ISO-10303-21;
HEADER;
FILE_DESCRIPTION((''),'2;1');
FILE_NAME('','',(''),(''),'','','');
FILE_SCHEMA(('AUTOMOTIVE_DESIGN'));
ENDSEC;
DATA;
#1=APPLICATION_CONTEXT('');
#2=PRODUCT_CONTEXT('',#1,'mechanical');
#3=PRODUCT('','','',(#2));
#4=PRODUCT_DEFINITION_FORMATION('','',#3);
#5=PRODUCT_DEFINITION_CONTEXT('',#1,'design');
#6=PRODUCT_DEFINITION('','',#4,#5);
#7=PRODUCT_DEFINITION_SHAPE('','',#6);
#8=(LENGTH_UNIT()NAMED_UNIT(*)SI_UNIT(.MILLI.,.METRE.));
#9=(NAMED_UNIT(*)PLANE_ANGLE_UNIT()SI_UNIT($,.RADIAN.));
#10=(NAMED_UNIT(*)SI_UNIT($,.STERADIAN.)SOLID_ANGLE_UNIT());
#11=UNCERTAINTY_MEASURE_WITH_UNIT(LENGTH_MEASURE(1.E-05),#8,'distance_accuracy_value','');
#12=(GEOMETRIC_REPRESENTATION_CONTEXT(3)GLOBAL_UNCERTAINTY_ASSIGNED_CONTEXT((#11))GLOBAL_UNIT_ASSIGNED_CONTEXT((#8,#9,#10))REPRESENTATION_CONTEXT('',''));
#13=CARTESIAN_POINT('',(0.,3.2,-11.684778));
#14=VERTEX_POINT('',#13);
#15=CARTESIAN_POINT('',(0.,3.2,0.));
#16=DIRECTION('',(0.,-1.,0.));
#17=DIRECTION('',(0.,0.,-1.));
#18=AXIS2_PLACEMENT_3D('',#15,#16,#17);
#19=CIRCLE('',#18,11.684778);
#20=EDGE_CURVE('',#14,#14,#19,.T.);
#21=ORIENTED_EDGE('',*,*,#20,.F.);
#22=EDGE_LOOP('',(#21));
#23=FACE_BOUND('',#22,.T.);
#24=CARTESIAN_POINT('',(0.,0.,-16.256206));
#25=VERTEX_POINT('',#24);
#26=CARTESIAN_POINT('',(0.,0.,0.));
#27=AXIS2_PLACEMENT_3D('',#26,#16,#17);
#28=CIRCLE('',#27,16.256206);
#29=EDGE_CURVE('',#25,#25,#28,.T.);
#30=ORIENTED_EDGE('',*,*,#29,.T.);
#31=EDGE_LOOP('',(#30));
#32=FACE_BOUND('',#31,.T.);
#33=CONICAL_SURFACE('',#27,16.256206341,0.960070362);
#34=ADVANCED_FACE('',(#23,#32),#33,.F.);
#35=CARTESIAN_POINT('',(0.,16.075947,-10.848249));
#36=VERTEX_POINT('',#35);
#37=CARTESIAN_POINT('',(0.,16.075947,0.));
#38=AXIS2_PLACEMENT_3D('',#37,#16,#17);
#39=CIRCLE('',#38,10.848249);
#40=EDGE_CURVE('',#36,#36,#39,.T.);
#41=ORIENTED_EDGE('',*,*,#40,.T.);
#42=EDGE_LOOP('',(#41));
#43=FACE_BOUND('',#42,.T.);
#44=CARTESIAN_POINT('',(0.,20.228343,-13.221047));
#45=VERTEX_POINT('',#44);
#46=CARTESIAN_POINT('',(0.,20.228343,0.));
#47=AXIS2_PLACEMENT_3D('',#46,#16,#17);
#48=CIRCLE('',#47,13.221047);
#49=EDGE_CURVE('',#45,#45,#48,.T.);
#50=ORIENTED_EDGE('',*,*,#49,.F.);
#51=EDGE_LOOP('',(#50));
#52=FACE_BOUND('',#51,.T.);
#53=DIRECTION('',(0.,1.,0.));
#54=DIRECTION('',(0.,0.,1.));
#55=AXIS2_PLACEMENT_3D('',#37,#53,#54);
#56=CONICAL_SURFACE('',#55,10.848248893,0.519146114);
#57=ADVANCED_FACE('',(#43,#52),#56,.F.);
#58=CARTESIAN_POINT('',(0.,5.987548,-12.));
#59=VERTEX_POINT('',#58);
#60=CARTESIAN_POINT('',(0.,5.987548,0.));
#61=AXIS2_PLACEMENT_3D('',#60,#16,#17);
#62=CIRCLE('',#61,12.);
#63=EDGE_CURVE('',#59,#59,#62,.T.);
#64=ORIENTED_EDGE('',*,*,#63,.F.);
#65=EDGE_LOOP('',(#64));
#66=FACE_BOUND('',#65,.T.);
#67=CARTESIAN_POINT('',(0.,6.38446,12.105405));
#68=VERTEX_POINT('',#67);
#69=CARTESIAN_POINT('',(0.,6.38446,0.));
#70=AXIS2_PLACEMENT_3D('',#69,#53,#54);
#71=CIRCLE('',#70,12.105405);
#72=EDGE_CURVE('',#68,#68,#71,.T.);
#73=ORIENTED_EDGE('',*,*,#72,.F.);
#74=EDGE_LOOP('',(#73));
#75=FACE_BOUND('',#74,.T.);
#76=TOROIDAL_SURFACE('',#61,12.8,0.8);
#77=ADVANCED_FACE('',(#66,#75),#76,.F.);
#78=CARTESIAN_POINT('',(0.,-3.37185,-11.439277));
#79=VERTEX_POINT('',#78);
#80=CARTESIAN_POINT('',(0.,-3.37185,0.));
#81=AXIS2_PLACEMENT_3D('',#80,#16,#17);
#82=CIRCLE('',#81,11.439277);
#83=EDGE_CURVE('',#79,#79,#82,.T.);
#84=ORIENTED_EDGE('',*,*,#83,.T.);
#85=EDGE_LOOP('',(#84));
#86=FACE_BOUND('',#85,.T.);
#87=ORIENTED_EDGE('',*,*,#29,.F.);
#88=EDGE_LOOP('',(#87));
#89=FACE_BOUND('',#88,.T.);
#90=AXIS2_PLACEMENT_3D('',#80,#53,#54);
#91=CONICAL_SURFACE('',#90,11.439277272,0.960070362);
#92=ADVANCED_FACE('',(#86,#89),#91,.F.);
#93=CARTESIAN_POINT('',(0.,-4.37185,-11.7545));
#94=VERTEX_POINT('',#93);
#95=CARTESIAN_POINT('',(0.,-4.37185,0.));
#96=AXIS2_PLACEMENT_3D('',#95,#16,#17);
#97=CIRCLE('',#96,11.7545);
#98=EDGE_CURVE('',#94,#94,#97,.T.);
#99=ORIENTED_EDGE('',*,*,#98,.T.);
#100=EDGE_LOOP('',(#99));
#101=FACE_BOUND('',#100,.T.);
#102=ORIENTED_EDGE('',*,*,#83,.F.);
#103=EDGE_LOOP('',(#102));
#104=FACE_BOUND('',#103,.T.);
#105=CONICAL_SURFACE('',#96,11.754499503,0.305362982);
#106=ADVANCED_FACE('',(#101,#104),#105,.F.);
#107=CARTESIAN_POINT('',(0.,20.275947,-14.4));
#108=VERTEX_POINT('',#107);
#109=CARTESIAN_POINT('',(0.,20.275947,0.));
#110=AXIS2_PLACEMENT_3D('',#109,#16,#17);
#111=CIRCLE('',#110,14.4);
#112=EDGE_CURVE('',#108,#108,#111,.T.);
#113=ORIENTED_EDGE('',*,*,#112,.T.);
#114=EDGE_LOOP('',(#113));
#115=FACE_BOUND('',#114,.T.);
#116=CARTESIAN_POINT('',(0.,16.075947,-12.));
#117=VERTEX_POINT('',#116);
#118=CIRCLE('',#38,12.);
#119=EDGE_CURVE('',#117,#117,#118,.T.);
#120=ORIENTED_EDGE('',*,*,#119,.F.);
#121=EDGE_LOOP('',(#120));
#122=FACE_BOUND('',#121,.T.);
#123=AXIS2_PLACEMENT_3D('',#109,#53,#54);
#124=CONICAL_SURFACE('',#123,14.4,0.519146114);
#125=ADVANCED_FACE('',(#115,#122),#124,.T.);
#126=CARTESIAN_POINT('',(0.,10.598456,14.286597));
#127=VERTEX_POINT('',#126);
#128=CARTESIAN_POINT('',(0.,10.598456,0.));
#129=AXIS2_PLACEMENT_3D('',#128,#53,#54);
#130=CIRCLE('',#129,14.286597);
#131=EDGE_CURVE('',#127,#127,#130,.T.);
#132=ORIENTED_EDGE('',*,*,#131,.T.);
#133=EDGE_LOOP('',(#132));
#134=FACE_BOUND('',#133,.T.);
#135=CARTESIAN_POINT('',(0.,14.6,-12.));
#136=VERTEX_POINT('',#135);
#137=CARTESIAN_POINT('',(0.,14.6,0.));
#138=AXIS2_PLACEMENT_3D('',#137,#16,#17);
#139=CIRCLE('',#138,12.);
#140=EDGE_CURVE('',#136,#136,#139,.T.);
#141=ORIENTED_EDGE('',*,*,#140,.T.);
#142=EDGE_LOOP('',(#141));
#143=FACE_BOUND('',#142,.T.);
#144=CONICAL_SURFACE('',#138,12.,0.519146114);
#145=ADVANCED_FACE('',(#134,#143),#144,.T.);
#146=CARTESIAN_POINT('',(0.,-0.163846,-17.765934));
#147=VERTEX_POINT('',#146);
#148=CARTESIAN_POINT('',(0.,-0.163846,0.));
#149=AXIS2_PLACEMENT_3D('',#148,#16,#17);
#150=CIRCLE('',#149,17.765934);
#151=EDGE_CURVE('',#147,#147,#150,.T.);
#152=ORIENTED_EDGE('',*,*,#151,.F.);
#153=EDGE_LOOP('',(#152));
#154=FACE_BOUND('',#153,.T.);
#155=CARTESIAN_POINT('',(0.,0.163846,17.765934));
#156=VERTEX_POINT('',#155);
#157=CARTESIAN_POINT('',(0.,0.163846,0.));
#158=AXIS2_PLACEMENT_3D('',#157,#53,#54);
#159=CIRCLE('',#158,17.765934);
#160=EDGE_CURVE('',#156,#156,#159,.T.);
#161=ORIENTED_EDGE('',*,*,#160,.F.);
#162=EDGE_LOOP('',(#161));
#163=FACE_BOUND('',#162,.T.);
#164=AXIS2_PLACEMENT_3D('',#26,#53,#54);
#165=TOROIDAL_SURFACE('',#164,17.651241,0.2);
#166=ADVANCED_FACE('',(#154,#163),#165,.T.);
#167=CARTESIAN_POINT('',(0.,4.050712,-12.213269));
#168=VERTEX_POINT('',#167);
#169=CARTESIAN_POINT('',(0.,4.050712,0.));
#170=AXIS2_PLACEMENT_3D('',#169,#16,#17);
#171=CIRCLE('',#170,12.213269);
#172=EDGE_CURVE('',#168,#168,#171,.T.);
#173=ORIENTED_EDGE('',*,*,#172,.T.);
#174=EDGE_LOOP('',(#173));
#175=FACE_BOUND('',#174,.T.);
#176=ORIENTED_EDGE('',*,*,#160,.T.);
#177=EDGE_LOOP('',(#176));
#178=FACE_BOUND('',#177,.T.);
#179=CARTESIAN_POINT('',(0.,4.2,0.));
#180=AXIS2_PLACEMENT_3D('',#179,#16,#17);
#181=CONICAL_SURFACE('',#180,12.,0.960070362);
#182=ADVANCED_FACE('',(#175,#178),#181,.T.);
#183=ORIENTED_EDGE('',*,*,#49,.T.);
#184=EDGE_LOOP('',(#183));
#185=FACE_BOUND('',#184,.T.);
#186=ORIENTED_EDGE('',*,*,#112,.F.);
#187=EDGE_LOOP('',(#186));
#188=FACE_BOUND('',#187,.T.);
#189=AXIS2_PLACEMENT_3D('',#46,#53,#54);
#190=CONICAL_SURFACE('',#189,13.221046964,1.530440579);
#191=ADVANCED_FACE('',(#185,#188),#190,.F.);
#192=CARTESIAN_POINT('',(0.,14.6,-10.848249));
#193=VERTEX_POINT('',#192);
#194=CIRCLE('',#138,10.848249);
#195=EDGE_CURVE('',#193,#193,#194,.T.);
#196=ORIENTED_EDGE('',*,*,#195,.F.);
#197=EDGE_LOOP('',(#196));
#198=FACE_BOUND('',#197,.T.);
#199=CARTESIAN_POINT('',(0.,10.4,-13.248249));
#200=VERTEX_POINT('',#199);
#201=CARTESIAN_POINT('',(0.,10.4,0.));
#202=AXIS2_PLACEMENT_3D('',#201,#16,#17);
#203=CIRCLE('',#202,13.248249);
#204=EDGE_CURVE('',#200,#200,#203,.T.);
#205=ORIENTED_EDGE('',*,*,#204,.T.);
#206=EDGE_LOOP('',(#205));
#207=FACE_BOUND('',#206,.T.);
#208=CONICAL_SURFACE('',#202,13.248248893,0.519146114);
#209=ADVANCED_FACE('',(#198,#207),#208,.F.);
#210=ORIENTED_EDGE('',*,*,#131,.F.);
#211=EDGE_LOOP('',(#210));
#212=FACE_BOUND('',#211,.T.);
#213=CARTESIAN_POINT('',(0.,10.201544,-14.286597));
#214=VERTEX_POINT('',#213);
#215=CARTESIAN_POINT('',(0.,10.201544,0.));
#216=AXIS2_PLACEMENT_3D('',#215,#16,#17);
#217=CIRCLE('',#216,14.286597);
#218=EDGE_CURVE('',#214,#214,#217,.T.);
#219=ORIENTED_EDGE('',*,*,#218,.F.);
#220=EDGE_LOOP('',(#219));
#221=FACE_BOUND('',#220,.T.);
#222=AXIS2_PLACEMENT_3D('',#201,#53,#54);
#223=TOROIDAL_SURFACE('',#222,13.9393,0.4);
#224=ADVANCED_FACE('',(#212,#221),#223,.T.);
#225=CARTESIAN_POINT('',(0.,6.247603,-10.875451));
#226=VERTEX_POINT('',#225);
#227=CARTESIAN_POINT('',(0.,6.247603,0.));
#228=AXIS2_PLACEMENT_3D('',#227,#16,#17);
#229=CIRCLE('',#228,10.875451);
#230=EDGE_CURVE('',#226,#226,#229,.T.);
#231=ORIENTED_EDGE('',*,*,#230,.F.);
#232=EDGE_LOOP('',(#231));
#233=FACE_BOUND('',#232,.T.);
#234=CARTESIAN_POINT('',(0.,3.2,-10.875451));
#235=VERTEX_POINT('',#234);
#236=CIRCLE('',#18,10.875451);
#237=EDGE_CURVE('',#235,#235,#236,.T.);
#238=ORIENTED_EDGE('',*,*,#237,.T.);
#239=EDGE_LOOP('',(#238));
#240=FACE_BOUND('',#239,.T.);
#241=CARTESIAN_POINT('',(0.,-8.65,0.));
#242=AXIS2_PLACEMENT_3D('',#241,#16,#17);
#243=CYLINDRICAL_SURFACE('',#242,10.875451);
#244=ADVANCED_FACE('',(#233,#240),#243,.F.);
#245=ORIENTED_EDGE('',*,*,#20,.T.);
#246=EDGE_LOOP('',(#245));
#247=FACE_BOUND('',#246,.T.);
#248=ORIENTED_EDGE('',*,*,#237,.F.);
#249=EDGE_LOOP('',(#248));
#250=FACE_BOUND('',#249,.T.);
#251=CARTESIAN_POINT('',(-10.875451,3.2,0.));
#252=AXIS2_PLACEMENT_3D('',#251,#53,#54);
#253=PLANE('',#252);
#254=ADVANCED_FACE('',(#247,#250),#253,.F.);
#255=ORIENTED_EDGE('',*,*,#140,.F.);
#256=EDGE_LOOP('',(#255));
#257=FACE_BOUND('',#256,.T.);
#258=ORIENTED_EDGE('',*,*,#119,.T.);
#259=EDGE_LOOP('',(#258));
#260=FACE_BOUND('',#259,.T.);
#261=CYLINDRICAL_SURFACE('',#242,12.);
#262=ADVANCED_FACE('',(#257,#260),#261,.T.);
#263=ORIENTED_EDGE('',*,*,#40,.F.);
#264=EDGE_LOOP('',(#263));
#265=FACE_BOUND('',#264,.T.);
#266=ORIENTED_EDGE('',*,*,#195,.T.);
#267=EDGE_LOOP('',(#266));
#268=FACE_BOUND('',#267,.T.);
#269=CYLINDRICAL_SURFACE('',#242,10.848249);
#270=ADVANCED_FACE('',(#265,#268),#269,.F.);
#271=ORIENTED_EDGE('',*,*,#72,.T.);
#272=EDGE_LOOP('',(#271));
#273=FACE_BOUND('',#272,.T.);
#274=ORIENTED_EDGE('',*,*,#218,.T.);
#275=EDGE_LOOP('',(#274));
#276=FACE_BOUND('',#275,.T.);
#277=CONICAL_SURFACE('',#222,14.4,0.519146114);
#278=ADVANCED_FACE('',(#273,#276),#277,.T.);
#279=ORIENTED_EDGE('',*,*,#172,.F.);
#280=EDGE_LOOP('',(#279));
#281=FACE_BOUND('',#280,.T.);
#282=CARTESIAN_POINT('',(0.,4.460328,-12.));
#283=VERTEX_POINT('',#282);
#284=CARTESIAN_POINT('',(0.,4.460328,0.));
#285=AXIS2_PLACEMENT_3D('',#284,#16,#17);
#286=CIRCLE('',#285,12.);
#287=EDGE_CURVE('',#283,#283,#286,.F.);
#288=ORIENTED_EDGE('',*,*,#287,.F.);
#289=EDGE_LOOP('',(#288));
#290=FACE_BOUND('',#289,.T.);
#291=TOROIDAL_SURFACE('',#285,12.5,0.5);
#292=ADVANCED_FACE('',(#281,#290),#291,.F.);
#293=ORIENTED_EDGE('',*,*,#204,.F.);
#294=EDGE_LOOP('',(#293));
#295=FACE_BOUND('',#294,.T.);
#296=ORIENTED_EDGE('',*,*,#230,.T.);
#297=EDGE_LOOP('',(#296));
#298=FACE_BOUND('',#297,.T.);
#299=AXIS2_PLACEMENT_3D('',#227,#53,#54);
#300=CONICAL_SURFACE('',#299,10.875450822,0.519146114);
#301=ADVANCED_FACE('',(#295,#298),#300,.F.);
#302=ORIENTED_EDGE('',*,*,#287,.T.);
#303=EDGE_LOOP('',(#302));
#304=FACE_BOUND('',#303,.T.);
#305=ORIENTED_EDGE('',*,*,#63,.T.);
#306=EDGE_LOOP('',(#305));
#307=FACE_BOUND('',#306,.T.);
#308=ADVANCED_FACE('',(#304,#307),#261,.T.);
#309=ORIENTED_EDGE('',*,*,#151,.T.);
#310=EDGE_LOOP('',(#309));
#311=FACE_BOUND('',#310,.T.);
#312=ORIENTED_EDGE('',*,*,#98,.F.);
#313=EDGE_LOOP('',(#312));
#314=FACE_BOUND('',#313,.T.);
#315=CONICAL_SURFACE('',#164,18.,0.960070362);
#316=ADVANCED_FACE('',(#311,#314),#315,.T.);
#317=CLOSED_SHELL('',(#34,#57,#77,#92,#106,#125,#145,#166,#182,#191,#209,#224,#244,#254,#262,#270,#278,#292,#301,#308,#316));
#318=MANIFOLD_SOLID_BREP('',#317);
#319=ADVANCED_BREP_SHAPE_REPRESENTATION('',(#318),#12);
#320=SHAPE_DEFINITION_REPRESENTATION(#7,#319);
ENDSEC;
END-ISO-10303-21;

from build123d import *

# Parameters (mm, degrees)
FILLET_OUT_LOW_R    = 0.2
FILLET_ACTIVE_LOW_R = 0.5
FILLET5_R           = 0.4
FILLET6_R           = 0.8


with BuildPart() as part:
    # Sketch1 → Revolve1 (revolve)
    with BuildSketch(Plane.XY, mode=Mode.PRIVATE) as revolve1_sk:
        Polygon((-18, 0), (-12, 4.2), (-12, 6.2), (-14.4, 10.4), (-12, 14.6), (-12, 16.07594668), (-14.4, 20.27594668), (-13.221046964, 20.228343303), (-10.848248893, 16.07594668), (-10.848248893, 14.6), (-13.248248893, 10.4), (-10.875450822, 6.247603376), (-10.875450822, 3.2), (-11.684777769, 3.2), (-16.256206341, 0), (-11.439277272, -3.371850348), (-11.754499503, -4.371850348), align=None)
    revolve(revolve1_sk.sketch.rotate(Axis((0, -8.65, 0), (0, 1, 0)), 270), axis=Axis((0, -8.65, 0), (0, 1, 0)))

    # fillet_out_low
    fillet_out_low_edges = [part.edges().sort_by_distance(p)[0] for p in [
        (0, 0, 18),
    ]]
    fillet(fillet_out_low_edges, radius=FILLET_OUT_LOW_R)

    # Fillet_active_low
    fillet_active_low_edges = [part.edges().sort_by_distance(p)[0] for p in [
        (0, 4.2, 12),
    ]]
    fillet(fillet_active_low_edges, radius=FILLET_ACTIVE_LOW_R)

    # Fillet5
    fillet5_edges = [part.edges().sort_by_distance(p)[0] for p in [
        (0, 10.4, 14.4),
    ]]
    fillet(fillet5_edges, radius=FILLET5_R)

    # Fillet6
    fillet6_edges = [part.edges().sort_by_distance(p)[0] for p in [
        (0, 6.2, 12),
    ]]
    fillet(fillet6_edges, radius=FILLET6_R)


solid = part.part
